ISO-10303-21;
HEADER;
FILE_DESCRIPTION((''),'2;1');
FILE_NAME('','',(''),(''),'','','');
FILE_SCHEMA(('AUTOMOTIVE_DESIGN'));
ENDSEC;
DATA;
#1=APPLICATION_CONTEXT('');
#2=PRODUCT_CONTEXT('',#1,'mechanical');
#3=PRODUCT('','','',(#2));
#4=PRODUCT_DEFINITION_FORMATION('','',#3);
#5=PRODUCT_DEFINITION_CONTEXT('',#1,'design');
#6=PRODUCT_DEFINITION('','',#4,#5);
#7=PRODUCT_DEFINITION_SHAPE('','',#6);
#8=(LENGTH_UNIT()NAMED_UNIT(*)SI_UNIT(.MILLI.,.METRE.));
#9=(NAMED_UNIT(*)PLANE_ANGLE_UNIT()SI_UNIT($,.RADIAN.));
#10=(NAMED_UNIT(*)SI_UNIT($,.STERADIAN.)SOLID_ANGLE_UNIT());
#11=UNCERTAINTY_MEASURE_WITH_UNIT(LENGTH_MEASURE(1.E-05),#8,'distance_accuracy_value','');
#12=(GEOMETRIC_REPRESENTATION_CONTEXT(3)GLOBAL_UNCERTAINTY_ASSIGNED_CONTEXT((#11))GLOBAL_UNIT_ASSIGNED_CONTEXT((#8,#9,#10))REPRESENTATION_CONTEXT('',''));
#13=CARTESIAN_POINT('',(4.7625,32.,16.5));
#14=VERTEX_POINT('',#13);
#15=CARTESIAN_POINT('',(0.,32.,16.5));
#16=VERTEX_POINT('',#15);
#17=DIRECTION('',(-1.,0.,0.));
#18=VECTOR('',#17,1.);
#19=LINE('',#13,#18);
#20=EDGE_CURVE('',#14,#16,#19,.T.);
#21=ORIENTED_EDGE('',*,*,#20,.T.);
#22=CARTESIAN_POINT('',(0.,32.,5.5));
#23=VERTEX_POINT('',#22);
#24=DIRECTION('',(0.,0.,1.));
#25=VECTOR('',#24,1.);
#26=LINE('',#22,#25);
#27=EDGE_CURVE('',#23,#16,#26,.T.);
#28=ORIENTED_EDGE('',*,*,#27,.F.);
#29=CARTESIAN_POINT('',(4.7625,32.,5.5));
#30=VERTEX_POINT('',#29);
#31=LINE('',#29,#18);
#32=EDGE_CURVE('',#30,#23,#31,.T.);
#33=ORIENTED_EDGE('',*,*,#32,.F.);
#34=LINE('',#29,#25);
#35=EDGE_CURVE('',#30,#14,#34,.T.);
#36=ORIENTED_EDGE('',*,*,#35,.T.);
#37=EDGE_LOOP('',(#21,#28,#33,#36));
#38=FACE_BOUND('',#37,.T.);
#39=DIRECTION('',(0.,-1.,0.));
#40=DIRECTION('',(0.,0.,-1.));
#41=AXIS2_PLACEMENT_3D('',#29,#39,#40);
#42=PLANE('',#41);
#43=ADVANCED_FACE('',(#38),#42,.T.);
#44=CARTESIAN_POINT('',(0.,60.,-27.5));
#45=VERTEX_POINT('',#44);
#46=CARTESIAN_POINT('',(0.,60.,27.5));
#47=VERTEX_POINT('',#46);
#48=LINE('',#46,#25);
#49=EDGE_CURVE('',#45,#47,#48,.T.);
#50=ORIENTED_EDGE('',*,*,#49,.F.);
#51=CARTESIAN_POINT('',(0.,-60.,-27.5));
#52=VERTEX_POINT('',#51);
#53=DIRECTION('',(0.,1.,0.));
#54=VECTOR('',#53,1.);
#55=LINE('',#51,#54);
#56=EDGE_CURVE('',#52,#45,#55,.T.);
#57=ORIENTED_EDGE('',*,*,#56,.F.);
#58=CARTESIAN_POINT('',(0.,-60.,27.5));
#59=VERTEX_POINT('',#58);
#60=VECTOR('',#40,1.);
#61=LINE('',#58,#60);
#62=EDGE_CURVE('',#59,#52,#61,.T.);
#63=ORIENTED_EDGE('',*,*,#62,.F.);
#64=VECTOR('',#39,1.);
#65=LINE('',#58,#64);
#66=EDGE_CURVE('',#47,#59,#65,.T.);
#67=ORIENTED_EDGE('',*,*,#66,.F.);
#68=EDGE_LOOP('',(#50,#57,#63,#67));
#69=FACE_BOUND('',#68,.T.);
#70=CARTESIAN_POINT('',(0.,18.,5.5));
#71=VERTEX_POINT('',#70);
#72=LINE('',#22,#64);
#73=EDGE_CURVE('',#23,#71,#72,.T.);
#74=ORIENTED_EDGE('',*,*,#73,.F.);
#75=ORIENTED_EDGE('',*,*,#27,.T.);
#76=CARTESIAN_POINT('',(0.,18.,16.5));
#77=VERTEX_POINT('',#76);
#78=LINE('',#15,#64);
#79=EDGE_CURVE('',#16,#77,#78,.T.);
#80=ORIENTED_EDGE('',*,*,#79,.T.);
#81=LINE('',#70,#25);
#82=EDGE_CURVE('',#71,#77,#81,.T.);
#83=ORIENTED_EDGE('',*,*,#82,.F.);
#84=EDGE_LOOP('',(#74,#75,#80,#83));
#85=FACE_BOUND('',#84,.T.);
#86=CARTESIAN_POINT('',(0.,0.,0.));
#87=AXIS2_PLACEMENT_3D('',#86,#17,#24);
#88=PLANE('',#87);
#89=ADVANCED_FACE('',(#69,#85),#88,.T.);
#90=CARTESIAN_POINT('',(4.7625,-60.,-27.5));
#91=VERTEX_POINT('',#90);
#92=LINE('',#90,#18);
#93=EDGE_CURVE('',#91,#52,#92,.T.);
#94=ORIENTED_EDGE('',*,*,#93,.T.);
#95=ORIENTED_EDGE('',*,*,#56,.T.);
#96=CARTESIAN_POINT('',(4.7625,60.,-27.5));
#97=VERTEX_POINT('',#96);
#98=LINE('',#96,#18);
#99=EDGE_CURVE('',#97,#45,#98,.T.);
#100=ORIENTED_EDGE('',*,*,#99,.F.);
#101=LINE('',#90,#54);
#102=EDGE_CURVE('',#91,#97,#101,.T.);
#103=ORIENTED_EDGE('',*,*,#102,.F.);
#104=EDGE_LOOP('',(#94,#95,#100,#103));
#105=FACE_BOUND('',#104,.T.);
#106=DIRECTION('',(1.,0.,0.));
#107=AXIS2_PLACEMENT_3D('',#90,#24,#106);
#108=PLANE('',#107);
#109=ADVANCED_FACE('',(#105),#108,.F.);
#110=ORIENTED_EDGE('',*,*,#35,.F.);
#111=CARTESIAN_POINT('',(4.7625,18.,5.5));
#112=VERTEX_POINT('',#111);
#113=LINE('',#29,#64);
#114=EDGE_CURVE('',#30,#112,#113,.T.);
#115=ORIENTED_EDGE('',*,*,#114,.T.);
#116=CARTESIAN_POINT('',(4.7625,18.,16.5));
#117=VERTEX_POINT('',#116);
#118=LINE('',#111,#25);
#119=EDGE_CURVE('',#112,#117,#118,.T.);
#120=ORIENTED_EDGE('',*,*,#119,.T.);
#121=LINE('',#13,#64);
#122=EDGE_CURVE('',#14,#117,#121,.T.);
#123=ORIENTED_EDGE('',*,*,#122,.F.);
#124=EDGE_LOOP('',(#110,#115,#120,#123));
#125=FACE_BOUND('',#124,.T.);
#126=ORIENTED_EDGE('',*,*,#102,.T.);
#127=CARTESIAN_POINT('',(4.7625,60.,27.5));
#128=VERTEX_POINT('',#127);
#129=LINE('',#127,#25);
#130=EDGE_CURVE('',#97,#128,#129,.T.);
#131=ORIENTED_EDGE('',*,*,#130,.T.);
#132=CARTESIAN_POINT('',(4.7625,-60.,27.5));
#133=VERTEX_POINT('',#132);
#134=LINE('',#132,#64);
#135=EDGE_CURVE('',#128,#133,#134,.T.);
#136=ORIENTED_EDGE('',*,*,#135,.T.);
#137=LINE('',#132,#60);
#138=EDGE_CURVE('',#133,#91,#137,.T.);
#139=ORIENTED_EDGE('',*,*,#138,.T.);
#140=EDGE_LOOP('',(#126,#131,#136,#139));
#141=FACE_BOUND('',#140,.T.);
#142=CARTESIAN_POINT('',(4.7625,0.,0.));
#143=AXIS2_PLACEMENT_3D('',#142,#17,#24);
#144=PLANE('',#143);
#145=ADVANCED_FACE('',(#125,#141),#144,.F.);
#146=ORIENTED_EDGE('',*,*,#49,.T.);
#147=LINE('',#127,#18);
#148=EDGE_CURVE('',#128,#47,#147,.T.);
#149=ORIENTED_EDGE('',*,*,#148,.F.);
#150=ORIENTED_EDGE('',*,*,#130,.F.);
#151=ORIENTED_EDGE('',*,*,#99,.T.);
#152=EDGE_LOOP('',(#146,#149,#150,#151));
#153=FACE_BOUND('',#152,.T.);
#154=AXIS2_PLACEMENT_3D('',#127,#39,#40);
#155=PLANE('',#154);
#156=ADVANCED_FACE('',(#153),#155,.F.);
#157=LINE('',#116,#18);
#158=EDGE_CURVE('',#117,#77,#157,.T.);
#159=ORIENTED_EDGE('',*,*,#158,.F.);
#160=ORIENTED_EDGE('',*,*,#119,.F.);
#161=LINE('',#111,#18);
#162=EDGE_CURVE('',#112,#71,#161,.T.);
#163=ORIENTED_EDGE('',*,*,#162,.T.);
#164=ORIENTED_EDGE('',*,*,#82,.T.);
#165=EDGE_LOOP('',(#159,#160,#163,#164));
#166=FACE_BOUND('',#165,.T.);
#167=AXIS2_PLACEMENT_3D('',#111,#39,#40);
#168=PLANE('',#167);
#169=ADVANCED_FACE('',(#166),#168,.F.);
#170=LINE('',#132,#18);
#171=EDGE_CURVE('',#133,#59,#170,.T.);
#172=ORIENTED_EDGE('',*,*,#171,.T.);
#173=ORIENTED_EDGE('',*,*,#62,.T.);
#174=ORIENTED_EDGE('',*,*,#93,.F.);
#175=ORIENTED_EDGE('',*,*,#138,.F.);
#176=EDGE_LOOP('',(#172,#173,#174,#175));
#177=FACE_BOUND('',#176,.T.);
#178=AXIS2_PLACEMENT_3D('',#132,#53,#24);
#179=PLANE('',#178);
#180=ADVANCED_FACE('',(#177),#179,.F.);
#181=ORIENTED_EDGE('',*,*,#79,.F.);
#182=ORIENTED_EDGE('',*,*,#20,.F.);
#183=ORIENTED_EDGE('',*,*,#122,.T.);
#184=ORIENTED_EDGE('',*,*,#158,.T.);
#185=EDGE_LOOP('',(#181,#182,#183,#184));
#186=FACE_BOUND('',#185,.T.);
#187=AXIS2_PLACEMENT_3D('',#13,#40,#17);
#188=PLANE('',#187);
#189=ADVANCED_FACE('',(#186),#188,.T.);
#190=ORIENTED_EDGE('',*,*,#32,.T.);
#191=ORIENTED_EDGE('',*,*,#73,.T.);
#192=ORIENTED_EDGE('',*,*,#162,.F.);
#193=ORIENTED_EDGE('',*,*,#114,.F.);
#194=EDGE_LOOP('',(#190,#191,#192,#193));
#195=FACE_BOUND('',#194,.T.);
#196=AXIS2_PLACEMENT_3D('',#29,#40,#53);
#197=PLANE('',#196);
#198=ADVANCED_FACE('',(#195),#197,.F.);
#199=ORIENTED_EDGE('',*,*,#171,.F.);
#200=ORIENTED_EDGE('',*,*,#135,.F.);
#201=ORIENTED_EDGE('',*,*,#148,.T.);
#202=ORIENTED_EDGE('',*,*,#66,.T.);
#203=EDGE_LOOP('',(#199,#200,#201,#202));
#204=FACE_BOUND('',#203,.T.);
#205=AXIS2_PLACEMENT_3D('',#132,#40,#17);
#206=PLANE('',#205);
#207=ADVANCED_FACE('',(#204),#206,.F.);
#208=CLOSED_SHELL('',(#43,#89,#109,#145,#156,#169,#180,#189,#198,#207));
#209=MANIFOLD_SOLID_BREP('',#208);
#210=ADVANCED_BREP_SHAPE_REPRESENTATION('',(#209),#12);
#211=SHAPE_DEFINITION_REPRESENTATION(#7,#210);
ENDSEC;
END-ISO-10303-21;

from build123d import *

# Parameters (mm, degrees)
SKETCH1_W           = 55
SKETCH1_H           = 120
BOSS_EXTRUDE1_DEPTH = 4.7625
SKETCH2_W           = 11
SKETCH2_H           = 14
CUT_EXTRUDE1_DEPTH  = 5.7625


with BuildPart() as part:
    # Sketch1 → Boss-Extrude1 (new body)
    with BuildSketch(Plane(origin=(0, 0, 0), x_dir=(0, 0, -1), z_dir=(1, 0, 0))):
        Rectangle(SKETCH1_W, SKETCH1_H)
    extrude(amount=BOSS_EXTRUDE1_DEPTH)

    # Sketch2 → Cut-Extrude1 (cut, through all)
    with BuildSketch(Plane.ZY):
        with Locations((11, 25)):
            Rectangle(SKETCH2_W, SKETCH2_H)
    extrude(amount=-CUT_EXTRUDE1_DEPTH, mode=Mode.SUBTRACT)


solid = part.part
